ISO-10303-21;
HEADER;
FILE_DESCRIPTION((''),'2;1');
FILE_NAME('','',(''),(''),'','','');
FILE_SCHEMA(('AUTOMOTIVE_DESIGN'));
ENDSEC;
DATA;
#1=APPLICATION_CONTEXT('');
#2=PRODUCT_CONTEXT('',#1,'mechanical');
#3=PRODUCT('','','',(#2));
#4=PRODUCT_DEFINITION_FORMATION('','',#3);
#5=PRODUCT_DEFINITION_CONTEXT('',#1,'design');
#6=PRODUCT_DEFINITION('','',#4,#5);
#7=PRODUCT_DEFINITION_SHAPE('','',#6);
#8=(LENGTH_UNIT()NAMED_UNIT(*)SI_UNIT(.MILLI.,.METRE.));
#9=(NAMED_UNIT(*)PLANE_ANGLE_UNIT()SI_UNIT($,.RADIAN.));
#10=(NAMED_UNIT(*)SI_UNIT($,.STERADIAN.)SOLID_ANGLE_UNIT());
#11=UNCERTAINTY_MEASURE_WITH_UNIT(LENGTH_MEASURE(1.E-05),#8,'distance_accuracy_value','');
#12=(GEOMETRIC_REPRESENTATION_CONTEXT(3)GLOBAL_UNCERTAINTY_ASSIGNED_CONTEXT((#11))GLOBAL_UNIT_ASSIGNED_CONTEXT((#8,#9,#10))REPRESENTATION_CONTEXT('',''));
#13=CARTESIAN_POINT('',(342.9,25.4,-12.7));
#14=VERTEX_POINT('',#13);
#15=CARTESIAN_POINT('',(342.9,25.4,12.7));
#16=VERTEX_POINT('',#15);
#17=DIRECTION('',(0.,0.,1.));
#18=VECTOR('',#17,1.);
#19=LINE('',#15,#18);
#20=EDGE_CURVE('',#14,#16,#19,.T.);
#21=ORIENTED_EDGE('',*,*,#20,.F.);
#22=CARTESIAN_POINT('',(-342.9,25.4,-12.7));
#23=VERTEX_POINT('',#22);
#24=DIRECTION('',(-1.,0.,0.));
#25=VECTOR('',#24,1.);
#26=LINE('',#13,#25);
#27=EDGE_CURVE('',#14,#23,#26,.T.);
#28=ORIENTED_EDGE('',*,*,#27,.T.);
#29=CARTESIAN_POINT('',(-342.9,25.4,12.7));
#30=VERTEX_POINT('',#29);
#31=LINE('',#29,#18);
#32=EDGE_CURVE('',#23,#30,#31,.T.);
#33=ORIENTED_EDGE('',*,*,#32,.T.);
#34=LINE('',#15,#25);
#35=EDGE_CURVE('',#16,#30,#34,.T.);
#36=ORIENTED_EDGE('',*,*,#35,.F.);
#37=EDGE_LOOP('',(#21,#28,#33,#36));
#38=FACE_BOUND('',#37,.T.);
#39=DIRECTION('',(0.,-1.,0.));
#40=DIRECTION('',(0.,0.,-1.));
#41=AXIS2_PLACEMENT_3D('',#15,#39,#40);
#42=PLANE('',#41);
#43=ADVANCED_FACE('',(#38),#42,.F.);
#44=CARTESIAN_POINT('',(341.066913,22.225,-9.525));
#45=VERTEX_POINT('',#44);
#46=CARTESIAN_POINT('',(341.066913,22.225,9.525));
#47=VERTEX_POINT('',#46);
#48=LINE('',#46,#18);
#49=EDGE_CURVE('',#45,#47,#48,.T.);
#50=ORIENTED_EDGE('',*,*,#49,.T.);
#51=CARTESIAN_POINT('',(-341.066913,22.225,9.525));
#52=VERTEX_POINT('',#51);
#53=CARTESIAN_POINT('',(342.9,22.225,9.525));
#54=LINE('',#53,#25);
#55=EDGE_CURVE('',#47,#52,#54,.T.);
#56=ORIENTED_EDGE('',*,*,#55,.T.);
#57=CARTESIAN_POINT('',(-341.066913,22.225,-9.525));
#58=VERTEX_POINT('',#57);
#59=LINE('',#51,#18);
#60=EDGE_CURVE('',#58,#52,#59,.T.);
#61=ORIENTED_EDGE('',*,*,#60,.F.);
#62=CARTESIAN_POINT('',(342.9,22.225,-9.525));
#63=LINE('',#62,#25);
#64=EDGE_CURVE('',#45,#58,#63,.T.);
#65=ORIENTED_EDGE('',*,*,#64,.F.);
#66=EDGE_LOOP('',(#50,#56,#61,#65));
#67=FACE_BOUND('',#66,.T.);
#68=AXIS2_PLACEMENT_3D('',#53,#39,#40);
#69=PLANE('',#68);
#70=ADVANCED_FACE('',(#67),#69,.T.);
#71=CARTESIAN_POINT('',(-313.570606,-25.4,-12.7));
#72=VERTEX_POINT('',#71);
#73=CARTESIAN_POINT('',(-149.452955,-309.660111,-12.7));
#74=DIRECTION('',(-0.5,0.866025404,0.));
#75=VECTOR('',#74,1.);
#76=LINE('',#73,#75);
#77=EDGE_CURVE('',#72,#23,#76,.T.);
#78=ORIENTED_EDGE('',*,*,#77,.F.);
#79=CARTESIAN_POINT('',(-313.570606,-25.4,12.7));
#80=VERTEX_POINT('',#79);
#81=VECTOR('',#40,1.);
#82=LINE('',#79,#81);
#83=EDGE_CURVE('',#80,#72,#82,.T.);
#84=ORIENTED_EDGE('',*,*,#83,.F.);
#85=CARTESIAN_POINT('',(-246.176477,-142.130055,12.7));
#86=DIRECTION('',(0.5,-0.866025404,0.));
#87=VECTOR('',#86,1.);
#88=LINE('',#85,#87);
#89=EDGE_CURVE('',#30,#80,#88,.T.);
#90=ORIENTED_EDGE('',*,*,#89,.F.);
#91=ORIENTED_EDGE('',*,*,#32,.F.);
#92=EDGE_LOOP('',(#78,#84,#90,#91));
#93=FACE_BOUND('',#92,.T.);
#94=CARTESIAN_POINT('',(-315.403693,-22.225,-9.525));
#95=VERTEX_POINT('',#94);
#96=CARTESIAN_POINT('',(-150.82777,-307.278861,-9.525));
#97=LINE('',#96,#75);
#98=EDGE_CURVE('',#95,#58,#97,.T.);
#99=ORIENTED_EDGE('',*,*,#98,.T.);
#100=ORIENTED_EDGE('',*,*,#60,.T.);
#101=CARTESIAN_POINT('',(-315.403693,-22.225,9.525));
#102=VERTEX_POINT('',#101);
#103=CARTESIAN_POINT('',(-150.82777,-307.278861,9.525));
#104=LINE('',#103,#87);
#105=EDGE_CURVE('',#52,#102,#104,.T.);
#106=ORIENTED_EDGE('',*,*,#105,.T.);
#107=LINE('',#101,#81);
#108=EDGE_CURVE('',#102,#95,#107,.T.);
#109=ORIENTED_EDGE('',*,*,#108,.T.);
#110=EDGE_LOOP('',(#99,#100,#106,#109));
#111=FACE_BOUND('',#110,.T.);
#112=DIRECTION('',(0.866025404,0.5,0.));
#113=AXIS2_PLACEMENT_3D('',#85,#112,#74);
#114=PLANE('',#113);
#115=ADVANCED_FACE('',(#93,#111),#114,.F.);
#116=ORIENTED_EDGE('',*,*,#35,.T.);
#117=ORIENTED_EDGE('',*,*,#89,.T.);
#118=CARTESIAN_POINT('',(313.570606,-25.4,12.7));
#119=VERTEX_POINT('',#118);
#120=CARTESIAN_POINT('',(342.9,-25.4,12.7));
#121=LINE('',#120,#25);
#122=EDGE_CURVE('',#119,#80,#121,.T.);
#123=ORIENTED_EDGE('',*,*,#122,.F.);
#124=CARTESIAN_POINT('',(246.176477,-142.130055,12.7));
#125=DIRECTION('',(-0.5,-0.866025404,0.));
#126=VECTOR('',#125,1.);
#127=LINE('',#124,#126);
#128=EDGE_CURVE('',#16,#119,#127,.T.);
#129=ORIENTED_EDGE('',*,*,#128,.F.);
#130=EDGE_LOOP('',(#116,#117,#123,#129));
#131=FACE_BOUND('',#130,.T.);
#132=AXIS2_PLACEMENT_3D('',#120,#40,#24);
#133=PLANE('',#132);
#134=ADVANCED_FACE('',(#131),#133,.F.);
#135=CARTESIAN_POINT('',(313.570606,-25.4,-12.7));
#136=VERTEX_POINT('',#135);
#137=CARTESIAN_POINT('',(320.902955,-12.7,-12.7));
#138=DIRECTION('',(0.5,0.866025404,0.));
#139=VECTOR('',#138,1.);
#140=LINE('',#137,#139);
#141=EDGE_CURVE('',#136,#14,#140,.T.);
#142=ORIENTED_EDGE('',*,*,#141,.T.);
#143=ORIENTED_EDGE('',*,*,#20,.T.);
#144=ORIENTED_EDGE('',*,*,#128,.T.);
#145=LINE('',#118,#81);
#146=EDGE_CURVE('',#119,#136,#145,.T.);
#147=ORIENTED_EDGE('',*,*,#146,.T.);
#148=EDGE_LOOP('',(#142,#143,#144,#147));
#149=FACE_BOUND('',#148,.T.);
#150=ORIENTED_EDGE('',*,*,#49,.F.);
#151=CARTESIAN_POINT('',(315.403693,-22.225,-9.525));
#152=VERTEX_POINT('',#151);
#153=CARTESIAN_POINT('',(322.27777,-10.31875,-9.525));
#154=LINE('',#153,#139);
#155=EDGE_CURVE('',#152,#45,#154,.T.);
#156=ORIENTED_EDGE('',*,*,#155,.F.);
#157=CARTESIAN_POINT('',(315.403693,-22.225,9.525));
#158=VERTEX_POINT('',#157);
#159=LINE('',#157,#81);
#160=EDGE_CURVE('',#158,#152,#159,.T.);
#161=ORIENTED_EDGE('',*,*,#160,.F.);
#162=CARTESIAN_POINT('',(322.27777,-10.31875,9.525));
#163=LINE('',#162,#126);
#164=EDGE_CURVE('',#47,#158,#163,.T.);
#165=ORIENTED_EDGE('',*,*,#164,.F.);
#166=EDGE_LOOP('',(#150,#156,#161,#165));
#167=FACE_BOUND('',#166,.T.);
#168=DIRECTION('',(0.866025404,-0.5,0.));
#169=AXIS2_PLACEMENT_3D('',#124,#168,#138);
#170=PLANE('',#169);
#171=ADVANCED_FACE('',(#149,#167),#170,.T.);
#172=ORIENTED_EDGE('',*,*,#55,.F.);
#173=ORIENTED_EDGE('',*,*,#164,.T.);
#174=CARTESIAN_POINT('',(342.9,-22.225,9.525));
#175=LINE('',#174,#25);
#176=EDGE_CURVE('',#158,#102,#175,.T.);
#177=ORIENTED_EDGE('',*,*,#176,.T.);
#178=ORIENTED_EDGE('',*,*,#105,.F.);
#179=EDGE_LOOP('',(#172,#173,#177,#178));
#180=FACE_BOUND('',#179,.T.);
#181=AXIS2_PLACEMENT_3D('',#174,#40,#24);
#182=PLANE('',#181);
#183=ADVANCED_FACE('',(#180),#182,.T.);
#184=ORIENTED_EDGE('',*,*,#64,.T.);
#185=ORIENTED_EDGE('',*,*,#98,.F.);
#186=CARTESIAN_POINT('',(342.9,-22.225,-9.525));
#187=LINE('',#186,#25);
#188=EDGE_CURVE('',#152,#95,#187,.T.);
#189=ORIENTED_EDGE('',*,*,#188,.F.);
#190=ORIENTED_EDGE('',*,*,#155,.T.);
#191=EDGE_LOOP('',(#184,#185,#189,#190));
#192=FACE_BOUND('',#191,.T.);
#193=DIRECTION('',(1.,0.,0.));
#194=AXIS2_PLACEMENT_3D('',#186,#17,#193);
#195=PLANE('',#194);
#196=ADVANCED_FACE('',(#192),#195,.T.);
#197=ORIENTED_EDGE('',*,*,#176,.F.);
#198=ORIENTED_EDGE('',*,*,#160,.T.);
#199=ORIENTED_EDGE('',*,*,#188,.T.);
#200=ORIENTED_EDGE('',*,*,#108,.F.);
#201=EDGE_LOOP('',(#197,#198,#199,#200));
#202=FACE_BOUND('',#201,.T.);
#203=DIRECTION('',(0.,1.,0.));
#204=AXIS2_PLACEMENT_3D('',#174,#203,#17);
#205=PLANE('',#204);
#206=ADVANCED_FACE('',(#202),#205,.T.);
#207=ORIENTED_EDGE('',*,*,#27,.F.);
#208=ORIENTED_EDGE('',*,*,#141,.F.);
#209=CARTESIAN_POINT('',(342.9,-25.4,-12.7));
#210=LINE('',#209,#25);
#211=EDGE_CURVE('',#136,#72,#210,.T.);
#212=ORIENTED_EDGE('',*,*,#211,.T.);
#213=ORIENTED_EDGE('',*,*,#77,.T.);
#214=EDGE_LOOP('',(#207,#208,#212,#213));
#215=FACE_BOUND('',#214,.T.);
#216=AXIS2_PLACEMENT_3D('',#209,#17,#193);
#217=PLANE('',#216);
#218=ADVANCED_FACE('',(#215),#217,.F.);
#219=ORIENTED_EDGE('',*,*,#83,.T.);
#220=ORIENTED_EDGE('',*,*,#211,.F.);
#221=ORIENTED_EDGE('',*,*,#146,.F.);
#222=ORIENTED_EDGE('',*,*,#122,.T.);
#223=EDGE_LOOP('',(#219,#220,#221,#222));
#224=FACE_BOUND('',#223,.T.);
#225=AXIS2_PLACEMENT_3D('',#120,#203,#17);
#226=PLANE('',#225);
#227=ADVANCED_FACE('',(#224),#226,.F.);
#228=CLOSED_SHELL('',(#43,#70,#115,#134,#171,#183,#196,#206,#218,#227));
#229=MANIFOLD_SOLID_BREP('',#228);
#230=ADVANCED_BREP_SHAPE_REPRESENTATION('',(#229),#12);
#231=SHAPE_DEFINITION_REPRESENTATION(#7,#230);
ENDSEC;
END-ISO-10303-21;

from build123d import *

# Parameters (mm, degrees)
SKETCH1_W               = 25.4
SKETCH1_H               = 50.8
SKETCH1_W_2             = 19.05
SKETCH1_H_2             = 44.45
BOSS_EXTRUDE1_DEPTH     = 342.9
CUT_EXTRUDE1_DEPTH      = 1
CUT_EXTRUDE1_DEPTH_BACK = 26.4


with BuildPart() as part:
    # Sketch1 → Boss-Extrude1 (new body, symmetric)
    with BuildSketch(Plane(origin=(0, 0, 0), x_dir=(0, 0, -1), z_dir=(1, 0, 0))):
        Rectangle(SKETCH1_W, SKETCH1_H)
        Rectangle(SKETCH1_W_2, SKETCH1_H_2, mode=Mode.SUBTRACT)
    extrude(amount=BOSS_EXTRUDE1_DEPTH, both=True)

    # Sketch2 → Cut-Extrude1 (cut, two sides)
    with BuildSketch(Plane(origin=(0, 0, -12.7), x_dir=(-1, 0, 0), z_dir=(0, 0, -1))) as cut_extrude1_sk:
        Polygon((342.9, -25.4), (342.9, 25.4), (313.570606325, -25.4), align=None)
        Polygon((-342.9, -25.4), (-313.570606325, -25.4), (-342.9, 25.4), align=None)
    extrude(amount=CUT_EXTRUDE1_DEPTH, mode=Mode.SUBTRACT)
    extrude(cut_extrude1_sk.sketch, amount=-CUT_EXTRUDE1_DEPTH_BACK, mode=Mode.SUBTRACT)


solid = part.part
